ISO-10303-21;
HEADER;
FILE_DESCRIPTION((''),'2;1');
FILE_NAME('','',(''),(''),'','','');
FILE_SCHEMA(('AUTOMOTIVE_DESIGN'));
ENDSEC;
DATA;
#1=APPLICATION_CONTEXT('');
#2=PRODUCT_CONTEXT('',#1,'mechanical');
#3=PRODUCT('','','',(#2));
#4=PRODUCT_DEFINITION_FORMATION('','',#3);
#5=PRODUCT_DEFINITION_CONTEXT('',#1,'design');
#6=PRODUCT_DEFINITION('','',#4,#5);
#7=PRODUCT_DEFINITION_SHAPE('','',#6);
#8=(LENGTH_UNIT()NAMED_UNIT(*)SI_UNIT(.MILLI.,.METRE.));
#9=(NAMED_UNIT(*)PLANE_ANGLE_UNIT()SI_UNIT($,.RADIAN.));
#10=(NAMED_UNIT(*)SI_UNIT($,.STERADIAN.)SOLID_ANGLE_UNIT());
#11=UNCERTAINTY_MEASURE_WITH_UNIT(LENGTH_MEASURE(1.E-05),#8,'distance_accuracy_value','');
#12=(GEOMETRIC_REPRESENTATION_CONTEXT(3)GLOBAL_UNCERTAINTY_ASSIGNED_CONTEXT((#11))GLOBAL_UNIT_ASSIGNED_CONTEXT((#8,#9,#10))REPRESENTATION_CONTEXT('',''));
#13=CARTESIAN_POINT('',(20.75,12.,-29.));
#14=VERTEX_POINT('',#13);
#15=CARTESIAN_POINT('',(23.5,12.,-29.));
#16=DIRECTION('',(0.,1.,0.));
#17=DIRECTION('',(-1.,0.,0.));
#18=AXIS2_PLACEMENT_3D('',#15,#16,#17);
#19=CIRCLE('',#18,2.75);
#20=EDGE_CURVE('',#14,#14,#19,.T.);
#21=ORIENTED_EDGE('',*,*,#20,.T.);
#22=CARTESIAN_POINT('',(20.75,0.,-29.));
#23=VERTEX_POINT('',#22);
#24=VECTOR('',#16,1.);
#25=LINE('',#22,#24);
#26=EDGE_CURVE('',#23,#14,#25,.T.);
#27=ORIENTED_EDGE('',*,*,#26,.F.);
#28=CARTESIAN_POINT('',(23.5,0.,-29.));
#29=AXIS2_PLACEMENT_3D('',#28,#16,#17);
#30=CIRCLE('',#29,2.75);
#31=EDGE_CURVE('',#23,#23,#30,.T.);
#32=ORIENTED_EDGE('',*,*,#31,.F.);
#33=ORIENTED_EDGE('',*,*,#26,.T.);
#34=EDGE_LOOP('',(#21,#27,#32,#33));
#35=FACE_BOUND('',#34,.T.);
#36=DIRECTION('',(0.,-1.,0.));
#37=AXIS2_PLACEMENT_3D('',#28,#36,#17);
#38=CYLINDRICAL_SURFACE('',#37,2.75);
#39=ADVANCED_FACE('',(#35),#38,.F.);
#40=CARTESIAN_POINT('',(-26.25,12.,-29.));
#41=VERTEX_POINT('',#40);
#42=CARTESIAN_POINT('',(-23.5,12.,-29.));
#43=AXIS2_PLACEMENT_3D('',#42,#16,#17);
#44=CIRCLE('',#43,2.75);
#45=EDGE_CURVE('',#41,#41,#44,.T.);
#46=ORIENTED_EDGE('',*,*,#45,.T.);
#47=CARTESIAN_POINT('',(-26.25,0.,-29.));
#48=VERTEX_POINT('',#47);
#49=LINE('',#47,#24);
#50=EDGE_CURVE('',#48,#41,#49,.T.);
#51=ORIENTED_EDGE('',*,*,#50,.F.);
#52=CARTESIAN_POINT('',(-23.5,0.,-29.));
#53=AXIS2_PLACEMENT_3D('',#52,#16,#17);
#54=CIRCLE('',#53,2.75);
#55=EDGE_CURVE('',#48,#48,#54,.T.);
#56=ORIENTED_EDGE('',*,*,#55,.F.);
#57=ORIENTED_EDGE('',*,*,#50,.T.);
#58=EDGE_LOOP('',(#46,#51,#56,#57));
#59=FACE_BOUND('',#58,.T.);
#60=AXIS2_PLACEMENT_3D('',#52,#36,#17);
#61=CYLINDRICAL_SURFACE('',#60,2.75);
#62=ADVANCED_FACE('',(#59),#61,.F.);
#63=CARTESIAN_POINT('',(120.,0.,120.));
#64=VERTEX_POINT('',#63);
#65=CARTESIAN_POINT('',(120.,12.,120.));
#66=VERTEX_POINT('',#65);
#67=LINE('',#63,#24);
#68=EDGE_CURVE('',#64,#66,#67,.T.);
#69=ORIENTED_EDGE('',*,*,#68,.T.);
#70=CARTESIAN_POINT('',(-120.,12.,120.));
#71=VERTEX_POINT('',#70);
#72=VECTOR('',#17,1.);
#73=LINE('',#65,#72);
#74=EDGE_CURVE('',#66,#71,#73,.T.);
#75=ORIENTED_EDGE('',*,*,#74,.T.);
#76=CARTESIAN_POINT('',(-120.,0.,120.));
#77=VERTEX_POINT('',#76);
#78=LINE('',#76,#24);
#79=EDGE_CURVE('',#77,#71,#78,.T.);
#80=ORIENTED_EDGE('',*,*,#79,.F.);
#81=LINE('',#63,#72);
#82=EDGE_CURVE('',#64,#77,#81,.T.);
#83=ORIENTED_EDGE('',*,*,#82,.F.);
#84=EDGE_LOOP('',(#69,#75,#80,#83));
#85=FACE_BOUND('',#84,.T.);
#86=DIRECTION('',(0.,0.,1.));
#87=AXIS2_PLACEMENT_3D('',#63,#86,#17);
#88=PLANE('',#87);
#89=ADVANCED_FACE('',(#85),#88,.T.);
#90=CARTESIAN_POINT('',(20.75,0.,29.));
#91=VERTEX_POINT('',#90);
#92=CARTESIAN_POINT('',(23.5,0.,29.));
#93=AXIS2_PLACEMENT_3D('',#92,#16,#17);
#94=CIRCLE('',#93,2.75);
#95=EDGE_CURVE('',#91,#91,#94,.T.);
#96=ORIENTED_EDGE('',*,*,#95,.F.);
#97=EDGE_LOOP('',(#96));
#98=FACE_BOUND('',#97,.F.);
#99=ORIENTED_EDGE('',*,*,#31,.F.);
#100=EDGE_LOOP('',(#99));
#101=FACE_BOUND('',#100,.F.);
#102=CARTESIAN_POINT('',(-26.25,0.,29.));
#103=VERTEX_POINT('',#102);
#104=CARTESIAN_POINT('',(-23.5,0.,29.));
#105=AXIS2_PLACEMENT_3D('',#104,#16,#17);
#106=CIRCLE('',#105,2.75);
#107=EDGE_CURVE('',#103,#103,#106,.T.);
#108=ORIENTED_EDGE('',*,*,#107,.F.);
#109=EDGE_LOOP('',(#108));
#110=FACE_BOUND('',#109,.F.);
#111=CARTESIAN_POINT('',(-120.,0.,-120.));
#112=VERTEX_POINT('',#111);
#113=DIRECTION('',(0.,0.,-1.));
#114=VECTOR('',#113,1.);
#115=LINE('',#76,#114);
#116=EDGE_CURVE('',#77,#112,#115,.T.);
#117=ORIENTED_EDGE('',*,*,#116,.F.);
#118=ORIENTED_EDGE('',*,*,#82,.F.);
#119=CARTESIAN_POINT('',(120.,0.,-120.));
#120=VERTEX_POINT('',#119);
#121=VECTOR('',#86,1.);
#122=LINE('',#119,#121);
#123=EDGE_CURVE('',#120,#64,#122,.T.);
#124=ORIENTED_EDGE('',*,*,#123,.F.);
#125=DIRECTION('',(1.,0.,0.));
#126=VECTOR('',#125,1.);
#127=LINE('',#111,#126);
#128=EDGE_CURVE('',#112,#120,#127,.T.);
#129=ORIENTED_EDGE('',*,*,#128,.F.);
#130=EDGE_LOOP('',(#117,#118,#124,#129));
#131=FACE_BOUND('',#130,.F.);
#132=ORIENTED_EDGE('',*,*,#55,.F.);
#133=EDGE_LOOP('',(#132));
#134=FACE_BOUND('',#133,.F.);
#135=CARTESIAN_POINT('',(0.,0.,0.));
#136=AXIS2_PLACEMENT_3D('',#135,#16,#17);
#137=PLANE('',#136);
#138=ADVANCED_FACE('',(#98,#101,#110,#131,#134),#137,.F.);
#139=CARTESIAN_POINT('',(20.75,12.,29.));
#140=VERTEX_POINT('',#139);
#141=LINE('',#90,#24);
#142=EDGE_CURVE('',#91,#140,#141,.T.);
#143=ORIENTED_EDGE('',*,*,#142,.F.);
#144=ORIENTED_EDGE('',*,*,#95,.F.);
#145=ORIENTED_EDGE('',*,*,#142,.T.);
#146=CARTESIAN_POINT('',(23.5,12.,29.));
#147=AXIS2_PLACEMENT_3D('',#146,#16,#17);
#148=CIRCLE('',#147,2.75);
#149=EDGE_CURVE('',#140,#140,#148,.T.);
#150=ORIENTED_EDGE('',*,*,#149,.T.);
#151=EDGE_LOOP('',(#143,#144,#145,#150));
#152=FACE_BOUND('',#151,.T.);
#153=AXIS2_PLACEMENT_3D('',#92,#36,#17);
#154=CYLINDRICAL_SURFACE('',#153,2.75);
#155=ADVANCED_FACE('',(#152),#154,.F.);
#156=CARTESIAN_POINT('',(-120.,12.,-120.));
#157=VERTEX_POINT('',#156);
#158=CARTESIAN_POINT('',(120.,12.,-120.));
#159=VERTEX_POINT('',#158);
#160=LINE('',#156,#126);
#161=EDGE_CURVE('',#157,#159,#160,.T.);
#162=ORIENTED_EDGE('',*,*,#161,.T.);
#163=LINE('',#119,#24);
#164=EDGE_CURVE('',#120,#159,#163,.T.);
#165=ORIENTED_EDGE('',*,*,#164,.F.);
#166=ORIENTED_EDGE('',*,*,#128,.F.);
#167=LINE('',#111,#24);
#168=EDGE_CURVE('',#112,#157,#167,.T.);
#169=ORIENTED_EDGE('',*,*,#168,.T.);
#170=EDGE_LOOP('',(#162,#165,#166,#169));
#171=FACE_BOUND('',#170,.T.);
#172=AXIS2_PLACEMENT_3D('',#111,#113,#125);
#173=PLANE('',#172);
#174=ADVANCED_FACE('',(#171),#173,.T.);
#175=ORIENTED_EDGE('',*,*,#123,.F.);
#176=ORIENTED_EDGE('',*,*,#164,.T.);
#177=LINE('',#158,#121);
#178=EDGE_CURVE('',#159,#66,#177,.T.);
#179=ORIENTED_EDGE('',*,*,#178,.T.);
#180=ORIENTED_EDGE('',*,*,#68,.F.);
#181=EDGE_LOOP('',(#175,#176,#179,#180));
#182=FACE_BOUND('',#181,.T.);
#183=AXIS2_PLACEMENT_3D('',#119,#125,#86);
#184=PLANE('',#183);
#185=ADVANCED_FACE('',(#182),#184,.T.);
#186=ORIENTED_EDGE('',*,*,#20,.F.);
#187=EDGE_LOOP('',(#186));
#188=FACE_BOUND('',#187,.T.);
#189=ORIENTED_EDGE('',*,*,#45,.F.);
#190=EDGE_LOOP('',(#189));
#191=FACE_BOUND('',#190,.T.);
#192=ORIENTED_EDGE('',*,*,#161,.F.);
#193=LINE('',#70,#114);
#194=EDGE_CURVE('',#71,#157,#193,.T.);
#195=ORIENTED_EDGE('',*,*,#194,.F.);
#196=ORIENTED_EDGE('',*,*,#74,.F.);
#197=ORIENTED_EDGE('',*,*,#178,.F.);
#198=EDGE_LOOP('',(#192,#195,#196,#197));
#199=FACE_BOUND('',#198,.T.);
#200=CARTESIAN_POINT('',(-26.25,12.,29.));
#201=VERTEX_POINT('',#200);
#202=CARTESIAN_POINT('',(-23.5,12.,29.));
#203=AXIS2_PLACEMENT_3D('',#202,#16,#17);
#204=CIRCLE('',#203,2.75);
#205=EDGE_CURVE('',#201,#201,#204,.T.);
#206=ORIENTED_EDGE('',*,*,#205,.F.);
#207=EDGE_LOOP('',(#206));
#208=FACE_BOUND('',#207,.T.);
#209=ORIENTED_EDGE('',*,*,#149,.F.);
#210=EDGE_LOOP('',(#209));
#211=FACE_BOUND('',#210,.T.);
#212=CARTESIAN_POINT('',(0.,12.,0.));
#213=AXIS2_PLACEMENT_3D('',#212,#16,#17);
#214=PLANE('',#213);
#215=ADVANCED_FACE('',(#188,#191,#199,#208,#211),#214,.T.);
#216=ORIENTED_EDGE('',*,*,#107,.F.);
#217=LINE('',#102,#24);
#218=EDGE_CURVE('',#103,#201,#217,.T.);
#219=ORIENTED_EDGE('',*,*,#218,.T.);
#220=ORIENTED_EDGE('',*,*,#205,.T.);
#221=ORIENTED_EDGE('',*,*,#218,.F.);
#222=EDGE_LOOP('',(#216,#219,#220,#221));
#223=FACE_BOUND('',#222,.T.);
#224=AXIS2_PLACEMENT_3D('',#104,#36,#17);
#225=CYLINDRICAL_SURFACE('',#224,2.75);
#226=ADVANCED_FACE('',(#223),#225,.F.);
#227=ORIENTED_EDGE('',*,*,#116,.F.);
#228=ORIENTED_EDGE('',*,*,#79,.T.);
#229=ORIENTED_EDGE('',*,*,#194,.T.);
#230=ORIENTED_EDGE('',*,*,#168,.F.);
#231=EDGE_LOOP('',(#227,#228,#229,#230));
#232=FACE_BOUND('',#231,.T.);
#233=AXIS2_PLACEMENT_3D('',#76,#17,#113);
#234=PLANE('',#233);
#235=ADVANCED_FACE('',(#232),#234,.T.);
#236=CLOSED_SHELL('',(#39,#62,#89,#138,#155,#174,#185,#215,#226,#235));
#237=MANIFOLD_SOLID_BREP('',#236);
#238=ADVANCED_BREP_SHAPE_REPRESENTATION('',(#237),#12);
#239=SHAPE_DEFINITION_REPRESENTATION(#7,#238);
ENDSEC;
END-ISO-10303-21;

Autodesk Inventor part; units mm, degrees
ref_plane "YZ Plane" through (0, 0, 0) normal (1, 0, 0) x (0, 1, 0)
ref_plane "XZ Plane" through (0, 0, 0) normal (0, 1, 0) x (-1, 0, 0)
ref_plane "XY Plane" through (0, 0, 0) normal (0, 0, 1) x (1, 0, 0)
sketch "Sketch1" plane through (0, 0, 0) normal (0, 1, 0) x (-1, 0, 0)
  line L0 (-120, 120) -> (120, 120)
  line L1 (120, 120) -> (120, -120)
  line L2 (120, -120) -> (-120, -120)
  line L3 (-120, -120) -> (-120, 120)
  line L4 (-120, 120) -> (120, -120) construction
  line L5 (120, 120) -> (-120, -120) construction
  circle A0 centre (23.5, 29) radius 2.75
  circle A1 centre (23.5, -29) radius 2.75
  circle A2 centre (-23.5, 29) radius 2.75
  circle A3 centre (-23.5, -29) radius 2.75
  point P0 (0, 0)
  dimension "d0" = 240
  dimension "d1" = 240
  dimension "d4" = 5.5
  dimension "d7" = 58
  dimension "d10" = 47
  dimension "d13" = 29
  dimension "d14" = 29
  dimension "d15" = 23.5
  dimension "d16" = 23.5
extrude "Extrusion1" add sketch "Sketch1" along normal blind 12
equation "\"d13\" = d14"
equation "\"d15\" = d16"
properties part number "MDFTop"
